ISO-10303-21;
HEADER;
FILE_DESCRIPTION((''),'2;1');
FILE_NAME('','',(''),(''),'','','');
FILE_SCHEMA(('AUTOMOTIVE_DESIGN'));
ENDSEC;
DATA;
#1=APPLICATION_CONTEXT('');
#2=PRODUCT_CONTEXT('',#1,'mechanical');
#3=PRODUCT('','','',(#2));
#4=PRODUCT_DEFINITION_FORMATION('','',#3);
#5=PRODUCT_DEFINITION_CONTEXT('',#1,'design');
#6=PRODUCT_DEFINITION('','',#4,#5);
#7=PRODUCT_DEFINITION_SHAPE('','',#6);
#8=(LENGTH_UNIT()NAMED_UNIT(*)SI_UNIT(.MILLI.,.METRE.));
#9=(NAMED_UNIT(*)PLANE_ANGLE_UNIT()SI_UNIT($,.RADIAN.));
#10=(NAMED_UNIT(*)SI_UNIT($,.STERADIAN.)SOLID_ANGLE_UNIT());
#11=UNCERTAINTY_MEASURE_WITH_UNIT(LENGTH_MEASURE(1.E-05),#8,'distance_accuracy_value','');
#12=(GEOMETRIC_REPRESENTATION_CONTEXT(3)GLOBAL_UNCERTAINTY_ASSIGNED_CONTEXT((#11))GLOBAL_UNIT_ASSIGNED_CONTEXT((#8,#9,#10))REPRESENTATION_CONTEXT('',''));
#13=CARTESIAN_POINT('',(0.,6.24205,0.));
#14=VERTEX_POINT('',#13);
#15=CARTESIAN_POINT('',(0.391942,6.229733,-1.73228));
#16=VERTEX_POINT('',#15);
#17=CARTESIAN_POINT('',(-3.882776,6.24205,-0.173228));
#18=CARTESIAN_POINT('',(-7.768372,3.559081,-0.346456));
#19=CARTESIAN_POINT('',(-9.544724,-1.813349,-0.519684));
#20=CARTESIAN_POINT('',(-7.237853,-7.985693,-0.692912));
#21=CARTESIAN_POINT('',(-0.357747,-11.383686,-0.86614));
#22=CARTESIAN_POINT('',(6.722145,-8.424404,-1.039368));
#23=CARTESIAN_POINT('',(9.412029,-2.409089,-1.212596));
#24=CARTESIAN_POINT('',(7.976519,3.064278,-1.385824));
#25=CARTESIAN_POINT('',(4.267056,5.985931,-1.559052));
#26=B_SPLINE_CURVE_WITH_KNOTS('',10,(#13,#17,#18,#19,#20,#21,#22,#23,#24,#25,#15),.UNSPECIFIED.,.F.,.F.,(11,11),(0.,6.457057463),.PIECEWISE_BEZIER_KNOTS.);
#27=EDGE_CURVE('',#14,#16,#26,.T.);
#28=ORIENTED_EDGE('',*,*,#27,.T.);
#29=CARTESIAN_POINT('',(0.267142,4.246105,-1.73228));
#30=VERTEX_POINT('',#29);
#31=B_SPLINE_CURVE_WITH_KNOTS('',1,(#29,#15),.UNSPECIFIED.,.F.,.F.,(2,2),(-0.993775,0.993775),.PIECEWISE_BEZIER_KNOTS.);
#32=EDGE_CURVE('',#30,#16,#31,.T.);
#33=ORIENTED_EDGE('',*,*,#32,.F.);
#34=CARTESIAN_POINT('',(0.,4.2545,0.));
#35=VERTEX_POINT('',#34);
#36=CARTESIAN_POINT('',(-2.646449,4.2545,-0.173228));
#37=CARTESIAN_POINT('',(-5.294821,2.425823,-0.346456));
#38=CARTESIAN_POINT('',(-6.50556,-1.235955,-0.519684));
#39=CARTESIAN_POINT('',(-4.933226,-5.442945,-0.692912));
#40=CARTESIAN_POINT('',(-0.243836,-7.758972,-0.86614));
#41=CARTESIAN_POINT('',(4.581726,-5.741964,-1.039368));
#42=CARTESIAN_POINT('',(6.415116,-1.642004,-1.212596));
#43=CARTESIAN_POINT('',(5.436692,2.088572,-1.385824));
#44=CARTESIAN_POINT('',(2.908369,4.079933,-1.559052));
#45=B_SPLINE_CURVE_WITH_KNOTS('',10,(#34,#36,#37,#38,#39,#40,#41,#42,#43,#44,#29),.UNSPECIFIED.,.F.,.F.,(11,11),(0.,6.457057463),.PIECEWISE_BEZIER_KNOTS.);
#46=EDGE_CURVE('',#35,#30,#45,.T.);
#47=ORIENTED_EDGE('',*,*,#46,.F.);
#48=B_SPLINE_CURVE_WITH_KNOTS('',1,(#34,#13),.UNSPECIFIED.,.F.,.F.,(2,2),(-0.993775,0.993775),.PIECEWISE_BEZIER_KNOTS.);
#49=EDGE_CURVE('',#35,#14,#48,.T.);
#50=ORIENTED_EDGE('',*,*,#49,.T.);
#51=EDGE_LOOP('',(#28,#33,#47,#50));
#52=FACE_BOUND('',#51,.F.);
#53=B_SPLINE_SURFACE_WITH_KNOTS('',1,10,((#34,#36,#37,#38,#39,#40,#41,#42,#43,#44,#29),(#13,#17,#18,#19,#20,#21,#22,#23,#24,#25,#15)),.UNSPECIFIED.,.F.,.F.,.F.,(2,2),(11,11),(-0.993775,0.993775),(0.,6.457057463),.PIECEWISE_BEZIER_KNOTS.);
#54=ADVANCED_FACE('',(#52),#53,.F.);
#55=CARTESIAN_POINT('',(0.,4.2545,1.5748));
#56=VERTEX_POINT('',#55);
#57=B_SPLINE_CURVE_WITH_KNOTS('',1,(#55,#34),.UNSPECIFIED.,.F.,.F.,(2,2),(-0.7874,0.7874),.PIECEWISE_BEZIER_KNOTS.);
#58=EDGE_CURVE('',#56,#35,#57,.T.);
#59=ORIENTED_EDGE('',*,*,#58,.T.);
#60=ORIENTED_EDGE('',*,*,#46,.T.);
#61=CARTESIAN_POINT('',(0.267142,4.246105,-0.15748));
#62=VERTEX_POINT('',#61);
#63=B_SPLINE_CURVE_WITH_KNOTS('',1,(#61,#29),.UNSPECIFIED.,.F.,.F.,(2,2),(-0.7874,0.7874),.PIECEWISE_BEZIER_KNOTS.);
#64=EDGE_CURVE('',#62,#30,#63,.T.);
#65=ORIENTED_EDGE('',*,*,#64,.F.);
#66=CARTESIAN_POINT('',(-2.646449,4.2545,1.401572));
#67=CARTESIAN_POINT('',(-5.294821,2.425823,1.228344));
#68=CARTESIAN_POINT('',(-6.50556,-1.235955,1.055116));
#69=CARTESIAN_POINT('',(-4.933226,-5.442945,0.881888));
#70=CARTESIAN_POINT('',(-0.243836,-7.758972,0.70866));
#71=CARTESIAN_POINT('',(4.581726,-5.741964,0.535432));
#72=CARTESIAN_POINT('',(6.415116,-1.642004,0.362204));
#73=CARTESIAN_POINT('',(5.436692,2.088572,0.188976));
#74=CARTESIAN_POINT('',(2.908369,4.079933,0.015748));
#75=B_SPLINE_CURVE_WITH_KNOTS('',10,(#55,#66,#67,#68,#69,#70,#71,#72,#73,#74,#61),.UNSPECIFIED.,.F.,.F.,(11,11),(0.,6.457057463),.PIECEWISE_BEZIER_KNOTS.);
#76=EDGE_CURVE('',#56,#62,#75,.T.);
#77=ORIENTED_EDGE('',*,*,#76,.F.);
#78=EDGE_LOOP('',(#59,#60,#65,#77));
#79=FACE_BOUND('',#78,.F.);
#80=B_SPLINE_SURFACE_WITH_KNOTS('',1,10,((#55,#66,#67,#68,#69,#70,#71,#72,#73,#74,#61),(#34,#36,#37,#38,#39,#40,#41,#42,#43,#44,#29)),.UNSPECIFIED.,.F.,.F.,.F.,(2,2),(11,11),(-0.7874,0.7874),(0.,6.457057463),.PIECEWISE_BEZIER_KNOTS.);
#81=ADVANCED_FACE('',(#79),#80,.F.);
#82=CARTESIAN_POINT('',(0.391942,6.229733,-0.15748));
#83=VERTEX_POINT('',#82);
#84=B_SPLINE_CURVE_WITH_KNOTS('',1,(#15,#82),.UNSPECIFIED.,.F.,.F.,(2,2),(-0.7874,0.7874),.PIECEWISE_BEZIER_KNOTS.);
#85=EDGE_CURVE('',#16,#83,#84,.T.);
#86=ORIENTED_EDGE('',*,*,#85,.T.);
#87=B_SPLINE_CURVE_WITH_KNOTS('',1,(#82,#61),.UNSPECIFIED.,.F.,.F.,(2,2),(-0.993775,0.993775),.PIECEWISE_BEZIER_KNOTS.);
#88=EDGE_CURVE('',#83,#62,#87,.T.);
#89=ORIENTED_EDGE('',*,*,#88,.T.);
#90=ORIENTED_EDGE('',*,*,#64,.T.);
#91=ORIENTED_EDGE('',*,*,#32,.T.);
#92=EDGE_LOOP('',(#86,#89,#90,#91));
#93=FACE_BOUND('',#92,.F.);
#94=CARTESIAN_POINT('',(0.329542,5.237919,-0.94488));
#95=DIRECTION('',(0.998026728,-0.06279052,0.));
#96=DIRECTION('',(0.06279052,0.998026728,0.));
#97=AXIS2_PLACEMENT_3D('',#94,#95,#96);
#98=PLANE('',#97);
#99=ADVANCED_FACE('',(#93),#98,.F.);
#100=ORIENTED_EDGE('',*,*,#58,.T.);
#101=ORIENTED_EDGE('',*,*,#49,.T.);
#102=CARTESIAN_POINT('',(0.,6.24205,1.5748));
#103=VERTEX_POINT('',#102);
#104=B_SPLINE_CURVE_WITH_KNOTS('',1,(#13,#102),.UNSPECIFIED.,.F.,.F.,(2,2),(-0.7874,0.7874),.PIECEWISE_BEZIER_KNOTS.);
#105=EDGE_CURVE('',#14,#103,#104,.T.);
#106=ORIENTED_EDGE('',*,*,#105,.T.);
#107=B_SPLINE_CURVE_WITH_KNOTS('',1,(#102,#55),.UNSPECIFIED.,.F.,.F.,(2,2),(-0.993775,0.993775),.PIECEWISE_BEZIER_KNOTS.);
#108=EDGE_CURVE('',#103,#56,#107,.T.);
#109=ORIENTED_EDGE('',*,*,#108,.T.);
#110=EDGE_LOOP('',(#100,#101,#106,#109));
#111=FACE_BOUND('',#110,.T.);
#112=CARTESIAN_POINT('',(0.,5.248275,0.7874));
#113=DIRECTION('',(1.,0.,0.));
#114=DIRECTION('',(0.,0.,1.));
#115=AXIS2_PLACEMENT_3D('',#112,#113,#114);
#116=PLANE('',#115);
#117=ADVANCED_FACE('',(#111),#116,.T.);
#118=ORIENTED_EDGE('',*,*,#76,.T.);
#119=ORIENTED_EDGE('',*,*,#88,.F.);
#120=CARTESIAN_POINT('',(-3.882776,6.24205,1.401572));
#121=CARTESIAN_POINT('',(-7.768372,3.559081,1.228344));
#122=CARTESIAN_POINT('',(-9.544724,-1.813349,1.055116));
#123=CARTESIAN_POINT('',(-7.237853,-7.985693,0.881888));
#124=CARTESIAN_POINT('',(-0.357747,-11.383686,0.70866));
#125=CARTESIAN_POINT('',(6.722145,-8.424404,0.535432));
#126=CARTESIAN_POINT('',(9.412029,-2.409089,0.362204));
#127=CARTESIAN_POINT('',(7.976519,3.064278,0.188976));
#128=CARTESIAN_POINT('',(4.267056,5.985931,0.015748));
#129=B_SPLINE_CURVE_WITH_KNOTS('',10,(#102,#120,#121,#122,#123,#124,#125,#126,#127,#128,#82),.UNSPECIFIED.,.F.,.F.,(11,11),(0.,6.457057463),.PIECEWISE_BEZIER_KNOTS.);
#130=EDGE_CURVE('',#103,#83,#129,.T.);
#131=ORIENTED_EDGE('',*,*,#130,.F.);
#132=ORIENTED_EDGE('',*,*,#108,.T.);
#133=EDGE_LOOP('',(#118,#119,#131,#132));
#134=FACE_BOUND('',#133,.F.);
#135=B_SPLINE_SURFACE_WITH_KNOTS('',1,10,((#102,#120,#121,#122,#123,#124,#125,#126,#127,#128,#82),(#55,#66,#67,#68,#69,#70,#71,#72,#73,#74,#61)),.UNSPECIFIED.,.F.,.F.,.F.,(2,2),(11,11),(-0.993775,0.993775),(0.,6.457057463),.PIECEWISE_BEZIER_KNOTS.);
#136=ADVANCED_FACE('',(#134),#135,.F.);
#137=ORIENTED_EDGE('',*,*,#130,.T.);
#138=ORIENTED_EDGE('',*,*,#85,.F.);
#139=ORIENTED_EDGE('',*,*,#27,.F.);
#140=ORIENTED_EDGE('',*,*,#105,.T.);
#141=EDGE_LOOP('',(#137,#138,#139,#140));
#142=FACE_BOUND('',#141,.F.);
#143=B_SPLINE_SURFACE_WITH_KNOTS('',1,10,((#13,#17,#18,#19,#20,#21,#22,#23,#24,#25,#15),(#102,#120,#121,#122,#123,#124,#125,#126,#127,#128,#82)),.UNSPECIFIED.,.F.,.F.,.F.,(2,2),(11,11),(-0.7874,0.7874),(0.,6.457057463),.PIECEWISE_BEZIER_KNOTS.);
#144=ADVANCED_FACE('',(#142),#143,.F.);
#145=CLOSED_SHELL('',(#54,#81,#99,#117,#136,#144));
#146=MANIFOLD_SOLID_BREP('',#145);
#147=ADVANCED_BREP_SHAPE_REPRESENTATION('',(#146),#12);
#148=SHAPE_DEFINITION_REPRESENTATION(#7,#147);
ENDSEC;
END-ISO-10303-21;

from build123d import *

# Parameters (mm, degrees)
SWEEP1_PITCH       = 1.749777778
SWEEP1_HEIGHT      = 1.73228
SWEEP1_RADIUS      = 6.24205
SWEEP1_START_ANGLE = 90
SKETCH2_W          = 1.5748
SKETCH2_H          = 1.98755


with BuildPart() as part:
    # Sweep1: sweep along a helix
    with BuildLine() as sweep1_path:
        add(Helix(SWEEP1_PITCH, SWEEP1_HEIGHT, SWEEP1_RADIUS, center=(0, 0, 0), direction=(0, 0, -1), lefthand=True, mode=Mode.PRIVATE).rotate(Axis((0, 0, 0), (0, 0, -1)), SWEEP1_START_ANGLE))
    # Sketch2 → Sweep1 (sweep)
    with BuildSketch(Plane(origin=(0, 0, 0), x_dir=(0, 0, -1), z_dir=(1, 0, 0))):
        with Locations((-0.7874, 5.248275)):
            Rectangle(SKETCH2_W, SKETCH2_H)
    sweep(path=sweep1_path.line, is_frenet=True)


solid = part.part
